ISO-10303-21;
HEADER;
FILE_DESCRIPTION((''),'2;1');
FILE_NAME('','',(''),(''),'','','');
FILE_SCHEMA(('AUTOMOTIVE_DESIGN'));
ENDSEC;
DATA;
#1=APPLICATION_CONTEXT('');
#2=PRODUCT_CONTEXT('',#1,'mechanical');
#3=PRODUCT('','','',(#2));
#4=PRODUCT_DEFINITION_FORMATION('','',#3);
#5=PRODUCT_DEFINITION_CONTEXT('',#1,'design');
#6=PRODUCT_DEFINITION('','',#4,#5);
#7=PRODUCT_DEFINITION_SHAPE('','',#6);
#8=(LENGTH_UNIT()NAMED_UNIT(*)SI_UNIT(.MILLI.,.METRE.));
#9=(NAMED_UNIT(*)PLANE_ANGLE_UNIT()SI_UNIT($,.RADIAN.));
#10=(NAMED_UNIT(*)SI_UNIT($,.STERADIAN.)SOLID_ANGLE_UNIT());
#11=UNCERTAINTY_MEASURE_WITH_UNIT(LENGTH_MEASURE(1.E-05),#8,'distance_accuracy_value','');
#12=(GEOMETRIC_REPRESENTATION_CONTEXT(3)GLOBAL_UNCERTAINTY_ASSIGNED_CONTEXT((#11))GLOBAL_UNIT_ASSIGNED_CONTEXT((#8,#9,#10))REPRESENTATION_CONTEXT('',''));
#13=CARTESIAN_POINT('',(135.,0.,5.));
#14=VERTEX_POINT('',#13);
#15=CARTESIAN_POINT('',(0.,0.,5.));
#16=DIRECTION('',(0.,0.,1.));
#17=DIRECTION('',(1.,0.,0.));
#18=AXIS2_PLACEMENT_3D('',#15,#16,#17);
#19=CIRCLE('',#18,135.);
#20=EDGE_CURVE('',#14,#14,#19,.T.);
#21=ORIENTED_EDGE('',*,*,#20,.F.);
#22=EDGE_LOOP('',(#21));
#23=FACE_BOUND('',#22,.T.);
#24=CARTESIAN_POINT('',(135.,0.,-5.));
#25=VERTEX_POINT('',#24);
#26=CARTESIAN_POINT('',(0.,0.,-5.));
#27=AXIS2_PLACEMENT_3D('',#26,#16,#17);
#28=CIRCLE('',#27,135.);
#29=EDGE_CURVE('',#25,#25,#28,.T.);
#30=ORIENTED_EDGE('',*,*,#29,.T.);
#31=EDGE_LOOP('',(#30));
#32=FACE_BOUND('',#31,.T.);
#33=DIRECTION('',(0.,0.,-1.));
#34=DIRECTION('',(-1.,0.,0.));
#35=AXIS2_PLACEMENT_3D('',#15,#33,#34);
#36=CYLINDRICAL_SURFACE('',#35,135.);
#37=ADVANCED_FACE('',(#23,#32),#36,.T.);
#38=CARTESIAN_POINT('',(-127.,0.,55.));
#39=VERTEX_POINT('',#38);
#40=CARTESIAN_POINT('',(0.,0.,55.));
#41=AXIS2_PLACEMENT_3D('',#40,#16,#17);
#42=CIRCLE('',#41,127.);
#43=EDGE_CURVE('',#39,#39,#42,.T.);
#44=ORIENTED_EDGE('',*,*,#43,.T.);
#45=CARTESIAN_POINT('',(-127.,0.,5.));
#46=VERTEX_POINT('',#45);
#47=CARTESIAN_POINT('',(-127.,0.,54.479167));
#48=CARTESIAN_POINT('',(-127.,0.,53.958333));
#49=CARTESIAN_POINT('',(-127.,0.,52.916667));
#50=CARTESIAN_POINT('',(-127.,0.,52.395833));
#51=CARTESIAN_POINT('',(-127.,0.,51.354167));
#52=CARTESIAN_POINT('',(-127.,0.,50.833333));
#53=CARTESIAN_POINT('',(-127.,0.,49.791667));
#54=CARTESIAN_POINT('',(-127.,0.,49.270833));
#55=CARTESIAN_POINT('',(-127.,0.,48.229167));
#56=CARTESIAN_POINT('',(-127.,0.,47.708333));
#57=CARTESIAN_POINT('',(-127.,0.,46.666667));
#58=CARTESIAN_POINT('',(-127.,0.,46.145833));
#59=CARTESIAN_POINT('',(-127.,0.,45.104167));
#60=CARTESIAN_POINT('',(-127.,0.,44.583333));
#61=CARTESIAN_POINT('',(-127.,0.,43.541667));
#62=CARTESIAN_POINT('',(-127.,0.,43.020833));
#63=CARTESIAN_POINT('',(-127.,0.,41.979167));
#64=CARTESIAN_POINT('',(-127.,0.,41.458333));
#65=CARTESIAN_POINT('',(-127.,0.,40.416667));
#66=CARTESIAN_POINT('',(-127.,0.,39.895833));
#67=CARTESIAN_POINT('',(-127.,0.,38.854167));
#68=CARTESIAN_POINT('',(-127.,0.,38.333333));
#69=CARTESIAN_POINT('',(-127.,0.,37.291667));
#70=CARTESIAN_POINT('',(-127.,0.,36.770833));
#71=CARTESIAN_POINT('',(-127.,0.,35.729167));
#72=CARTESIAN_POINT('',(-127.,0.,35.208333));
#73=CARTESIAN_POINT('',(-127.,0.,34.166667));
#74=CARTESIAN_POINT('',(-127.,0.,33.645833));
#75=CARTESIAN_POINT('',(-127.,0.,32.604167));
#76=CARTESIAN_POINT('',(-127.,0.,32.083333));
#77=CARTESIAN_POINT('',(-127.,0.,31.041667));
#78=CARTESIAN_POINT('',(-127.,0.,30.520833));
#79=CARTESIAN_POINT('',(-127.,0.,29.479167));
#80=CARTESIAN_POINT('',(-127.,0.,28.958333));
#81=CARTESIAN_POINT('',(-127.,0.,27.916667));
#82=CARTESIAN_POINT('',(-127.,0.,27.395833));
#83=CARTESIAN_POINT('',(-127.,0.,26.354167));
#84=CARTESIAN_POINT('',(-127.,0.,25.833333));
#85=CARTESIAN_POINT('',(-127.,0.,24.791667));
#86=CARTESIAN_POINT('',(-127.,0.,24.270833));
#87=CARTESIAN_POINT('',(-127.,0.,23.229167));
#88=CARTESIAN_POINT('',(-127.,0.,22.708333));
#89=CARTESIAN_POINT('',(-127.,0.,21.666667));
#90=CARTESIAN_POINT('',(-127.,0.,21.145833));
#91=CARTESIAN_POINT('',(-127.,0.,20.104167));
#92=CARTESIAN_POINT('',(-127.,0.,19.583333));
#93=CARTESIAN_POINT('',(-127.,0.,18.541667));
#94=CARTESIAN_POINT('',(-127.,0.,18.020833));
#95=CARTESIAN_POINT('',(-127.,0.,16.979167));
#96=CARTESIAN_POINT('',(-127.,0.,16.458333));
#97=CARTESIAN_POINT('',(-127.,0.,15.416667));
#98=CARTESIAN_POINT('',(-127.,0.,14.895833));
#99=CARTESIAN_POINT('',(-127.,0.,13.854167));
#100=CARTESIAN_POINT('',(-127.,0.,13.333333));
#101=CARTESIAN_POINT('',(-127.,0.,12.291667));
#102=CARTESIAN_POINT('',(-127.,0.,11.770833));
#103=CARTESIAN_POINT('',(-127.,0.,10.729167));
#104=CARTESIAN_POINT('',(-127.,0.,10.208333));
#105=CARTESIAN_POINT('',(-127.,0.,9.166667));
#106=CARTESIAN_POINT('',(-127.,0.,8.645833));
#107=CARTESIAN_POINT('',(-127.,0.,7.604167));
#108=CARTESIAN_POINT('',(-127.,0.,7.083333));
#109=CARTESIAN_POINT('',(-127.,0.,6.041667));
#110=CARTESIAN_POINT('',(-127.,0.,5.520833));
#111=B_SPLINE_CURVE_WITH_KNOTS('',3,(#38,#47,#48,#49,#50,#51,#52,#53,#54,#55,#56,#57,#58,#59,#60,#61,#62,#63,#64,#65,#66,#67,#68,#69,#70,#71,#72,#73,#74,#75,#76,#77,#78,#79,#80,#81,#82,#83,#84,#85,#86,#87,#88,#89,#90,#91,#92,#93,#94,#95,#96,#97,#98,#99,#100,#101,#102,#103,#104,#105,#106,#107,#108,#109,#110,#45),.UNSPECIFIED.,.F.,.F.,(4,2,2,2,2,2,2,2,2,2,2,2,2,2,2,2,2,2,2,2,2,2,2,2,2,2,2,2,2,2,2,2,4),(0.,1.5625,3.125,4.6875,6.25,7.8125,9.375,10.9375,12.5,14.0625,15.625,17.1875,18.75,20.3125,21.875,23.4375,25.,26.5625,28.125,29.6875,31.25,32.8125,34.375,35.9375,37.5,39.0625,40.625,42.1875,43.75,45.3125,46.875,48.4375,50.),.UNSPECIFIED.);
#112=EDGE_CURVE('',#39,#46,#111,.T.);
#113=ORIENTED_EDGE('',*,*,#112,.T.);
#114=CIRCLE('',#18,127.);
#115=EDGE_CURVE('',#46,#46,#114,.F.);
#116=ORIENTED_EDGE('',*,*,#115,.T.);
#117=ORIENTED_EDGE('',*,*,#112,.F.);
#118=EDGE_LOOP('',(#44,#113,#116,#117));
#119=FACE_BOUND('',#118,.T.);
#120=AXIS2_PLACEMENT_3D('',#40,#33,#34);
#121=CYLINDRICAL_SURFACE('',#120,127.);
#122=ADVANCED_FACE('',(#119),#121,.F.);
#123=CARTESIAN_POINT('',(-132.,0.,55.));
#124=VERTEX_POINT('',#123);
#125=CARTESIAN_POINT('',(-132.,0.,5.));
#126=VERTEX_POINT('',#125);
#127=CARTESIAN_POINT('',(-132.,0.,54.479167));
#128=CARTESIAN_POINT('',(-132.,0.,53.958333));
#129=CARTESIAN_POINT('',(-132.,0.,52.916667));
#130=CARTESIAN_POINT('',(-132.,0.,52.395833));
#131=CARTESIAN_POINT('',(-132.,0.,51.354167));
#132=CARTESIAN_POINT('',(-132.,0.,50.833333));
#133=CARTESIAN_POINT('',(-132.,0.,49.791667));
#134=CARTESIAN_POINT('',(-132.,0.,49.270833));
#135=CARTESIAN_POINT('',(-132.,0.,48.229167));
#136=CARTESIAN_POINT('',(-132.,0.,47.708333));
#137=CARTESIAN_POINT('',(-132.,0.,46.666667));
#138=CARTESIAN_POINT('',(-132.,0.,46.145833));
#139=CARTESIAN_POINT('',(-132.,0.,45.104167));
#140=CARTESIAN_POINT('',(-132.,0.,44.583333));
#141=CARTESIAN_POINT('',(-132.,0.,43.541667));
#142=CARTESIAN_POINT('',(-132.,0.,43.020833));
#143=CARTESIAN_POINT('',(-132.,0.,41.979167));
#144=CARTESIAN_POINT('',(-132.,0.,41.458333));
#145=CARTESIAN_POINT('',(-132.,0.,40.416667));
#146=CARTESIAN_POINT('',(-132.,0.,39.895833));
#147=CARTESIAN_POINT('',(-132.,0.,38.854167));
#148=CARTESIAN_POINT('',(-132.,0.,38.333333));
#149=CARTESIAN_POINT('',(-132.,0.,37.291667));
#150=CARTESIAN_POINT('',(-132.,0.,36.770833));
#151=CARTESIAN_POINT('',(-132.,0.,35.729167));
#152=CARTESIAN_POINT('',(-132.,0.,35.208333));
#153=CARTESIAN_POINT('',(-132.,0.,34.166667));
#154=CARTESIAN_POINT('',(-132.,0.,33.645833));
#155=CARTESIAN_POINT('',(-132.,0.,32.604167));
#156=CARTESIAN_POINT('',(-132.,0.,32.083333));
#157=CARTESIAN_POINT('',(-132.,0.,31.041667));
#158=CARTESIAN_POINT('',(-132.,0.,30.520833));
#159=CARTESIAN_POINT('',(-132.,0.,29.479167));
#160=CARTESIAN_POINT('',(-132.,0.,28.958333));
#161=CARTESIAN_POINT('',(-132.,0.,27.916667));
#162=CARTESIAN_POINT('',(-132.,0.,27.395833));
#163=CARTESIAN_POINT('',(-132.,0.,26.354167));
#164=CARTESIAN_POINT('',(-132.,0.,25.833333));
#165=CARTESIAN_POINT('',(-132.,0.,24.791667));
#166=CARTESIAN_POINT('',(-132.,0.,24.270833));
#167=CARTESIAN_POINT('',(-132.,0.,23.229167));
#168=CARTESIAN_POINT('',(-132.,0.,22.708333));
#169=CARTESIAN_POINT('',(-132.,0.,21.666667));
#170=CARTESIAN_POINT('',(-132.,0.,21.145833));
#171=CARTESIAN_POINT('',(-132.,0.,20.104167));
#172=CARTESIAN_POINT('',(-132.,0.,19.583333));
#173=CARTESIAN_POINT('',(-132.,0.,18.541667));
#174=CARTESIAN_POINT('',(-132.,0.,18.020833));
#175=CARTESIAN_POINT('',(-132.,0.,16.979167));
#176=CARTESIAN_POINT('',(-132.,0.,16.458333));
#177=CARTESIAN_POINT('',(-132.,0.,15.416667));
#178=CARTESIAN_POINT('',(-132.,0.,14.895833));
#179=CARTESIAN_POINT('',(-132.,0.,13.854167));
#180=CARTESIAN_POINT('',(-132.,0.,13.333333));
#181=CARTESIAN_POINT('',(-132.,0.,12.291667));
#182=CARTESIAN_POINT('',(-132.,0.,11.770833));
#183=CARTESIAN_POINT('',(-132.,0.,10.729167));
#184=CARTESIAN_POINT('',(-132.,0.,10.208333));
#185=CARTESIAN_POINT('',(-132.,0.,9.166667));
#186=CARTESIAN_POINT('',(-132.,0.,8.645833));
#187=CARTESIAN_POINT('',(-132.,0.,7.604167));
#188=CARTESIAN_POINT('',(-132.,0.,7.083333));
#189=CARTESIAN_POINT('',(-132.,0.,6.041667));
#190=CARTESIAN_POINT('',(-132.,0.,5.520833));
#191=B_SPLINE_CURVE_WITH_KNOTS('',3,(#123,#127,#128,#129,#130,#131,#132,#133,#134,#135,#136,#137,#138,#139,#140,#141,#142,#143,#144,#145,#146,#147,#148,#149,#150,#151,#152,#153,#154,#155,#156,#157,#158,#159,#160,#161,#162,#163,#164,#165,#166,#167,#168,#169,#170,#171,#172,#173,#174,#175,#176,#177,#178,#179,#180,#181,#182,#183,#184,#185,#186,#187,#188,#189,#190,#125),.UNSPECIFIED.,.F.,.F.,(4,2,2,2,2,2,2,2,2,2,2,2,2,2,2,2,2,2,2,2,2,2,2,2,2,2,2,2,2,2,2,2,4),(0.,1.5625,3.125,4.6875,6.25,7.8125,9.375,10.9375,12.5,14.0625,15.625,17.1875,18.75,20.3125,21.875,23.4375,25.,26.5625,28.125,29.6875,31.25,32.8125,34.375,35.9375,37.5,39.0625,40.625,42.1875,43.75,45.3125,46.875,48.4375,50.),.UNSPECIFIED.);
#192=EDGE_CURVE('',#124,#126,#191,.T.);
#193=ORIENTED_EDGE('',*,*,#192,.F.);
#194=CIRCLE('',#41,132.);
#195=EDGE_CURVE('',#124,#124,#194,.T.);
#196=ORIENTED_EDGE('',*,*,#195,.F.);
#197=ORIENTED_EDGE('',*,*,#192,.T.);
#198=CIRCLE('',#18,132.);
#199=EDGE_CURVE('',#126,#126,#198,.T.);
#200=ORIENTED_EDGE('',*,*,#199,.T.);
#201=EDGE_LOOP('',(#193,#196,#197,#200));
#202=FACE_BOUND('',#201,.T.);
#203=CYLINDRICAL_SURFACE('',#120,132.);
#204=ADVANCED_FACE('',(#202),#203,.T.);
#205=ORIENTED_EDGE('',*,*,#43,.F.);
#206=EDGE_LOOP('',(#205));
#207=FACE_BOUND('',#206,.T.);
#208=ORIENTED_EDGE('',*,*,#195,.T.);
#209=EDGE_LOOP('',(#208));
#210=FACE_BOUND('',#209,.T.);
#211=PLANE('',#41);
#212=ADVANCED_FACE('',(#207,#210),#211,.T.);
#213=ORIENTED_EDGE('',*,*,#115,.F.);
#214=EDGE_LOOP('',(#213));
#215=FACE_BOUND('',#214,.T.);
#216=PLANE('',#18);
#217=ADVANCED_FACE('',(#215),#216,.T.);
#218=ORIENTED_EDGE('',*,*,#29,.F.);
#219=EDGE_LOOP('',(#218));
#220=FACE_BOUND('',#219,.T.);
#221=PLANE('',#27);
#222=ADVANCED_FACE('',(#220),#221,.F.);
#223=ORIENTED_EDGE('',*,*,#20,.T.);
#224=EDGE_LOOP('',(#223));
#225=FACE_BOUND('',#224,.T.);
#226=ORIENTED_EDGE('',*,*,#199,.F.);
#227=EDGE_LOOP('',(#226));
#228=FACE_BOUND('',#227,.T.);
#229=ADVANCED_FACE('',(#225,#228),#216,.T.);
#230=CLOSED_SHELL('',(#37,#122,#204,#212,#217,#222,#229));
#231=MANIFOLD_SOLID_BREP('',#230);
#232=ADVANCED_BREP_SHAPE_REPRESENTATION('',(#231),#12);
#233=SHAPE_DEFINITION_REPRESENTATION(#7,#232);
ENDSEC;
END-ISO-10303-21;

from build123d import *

# Parameters (mm, degrees)
SKETCH1_R           = 135
BOSS_EXTRUDE1_DEPTH = 5
SKETCH2_R           = 132
SKETCH2_R_2         = 127
BOSS_EXTRUDE2_DEPTH = 50


with BuildPart() as part:
    # Sketch1 → Boss-Extrude1 (new, symmetric)
    with BuildSketch(Plane.XY):
        Circle(SKETCH1_R)
    extrude(amount=BOSS_EXTRUDE1_DEPTH, both=True)

    # Sketch2 → Boss-Extrude2 (add)
    with BuildSketch(Plane.XY.offset(5)):
        with Locations(Location((0, 0, 0), (0, 0, 180))):
            Circle(SKETCH2_R)
        with Locations(Location((0, 0, 0), (0, 0, 180))):
            Circle(SKETCH2_R_2, mode=Mode.SUBTRACT)
    extrude(amount=BOSS_EXTRUDE2_DEPTH)


solid = part.part
